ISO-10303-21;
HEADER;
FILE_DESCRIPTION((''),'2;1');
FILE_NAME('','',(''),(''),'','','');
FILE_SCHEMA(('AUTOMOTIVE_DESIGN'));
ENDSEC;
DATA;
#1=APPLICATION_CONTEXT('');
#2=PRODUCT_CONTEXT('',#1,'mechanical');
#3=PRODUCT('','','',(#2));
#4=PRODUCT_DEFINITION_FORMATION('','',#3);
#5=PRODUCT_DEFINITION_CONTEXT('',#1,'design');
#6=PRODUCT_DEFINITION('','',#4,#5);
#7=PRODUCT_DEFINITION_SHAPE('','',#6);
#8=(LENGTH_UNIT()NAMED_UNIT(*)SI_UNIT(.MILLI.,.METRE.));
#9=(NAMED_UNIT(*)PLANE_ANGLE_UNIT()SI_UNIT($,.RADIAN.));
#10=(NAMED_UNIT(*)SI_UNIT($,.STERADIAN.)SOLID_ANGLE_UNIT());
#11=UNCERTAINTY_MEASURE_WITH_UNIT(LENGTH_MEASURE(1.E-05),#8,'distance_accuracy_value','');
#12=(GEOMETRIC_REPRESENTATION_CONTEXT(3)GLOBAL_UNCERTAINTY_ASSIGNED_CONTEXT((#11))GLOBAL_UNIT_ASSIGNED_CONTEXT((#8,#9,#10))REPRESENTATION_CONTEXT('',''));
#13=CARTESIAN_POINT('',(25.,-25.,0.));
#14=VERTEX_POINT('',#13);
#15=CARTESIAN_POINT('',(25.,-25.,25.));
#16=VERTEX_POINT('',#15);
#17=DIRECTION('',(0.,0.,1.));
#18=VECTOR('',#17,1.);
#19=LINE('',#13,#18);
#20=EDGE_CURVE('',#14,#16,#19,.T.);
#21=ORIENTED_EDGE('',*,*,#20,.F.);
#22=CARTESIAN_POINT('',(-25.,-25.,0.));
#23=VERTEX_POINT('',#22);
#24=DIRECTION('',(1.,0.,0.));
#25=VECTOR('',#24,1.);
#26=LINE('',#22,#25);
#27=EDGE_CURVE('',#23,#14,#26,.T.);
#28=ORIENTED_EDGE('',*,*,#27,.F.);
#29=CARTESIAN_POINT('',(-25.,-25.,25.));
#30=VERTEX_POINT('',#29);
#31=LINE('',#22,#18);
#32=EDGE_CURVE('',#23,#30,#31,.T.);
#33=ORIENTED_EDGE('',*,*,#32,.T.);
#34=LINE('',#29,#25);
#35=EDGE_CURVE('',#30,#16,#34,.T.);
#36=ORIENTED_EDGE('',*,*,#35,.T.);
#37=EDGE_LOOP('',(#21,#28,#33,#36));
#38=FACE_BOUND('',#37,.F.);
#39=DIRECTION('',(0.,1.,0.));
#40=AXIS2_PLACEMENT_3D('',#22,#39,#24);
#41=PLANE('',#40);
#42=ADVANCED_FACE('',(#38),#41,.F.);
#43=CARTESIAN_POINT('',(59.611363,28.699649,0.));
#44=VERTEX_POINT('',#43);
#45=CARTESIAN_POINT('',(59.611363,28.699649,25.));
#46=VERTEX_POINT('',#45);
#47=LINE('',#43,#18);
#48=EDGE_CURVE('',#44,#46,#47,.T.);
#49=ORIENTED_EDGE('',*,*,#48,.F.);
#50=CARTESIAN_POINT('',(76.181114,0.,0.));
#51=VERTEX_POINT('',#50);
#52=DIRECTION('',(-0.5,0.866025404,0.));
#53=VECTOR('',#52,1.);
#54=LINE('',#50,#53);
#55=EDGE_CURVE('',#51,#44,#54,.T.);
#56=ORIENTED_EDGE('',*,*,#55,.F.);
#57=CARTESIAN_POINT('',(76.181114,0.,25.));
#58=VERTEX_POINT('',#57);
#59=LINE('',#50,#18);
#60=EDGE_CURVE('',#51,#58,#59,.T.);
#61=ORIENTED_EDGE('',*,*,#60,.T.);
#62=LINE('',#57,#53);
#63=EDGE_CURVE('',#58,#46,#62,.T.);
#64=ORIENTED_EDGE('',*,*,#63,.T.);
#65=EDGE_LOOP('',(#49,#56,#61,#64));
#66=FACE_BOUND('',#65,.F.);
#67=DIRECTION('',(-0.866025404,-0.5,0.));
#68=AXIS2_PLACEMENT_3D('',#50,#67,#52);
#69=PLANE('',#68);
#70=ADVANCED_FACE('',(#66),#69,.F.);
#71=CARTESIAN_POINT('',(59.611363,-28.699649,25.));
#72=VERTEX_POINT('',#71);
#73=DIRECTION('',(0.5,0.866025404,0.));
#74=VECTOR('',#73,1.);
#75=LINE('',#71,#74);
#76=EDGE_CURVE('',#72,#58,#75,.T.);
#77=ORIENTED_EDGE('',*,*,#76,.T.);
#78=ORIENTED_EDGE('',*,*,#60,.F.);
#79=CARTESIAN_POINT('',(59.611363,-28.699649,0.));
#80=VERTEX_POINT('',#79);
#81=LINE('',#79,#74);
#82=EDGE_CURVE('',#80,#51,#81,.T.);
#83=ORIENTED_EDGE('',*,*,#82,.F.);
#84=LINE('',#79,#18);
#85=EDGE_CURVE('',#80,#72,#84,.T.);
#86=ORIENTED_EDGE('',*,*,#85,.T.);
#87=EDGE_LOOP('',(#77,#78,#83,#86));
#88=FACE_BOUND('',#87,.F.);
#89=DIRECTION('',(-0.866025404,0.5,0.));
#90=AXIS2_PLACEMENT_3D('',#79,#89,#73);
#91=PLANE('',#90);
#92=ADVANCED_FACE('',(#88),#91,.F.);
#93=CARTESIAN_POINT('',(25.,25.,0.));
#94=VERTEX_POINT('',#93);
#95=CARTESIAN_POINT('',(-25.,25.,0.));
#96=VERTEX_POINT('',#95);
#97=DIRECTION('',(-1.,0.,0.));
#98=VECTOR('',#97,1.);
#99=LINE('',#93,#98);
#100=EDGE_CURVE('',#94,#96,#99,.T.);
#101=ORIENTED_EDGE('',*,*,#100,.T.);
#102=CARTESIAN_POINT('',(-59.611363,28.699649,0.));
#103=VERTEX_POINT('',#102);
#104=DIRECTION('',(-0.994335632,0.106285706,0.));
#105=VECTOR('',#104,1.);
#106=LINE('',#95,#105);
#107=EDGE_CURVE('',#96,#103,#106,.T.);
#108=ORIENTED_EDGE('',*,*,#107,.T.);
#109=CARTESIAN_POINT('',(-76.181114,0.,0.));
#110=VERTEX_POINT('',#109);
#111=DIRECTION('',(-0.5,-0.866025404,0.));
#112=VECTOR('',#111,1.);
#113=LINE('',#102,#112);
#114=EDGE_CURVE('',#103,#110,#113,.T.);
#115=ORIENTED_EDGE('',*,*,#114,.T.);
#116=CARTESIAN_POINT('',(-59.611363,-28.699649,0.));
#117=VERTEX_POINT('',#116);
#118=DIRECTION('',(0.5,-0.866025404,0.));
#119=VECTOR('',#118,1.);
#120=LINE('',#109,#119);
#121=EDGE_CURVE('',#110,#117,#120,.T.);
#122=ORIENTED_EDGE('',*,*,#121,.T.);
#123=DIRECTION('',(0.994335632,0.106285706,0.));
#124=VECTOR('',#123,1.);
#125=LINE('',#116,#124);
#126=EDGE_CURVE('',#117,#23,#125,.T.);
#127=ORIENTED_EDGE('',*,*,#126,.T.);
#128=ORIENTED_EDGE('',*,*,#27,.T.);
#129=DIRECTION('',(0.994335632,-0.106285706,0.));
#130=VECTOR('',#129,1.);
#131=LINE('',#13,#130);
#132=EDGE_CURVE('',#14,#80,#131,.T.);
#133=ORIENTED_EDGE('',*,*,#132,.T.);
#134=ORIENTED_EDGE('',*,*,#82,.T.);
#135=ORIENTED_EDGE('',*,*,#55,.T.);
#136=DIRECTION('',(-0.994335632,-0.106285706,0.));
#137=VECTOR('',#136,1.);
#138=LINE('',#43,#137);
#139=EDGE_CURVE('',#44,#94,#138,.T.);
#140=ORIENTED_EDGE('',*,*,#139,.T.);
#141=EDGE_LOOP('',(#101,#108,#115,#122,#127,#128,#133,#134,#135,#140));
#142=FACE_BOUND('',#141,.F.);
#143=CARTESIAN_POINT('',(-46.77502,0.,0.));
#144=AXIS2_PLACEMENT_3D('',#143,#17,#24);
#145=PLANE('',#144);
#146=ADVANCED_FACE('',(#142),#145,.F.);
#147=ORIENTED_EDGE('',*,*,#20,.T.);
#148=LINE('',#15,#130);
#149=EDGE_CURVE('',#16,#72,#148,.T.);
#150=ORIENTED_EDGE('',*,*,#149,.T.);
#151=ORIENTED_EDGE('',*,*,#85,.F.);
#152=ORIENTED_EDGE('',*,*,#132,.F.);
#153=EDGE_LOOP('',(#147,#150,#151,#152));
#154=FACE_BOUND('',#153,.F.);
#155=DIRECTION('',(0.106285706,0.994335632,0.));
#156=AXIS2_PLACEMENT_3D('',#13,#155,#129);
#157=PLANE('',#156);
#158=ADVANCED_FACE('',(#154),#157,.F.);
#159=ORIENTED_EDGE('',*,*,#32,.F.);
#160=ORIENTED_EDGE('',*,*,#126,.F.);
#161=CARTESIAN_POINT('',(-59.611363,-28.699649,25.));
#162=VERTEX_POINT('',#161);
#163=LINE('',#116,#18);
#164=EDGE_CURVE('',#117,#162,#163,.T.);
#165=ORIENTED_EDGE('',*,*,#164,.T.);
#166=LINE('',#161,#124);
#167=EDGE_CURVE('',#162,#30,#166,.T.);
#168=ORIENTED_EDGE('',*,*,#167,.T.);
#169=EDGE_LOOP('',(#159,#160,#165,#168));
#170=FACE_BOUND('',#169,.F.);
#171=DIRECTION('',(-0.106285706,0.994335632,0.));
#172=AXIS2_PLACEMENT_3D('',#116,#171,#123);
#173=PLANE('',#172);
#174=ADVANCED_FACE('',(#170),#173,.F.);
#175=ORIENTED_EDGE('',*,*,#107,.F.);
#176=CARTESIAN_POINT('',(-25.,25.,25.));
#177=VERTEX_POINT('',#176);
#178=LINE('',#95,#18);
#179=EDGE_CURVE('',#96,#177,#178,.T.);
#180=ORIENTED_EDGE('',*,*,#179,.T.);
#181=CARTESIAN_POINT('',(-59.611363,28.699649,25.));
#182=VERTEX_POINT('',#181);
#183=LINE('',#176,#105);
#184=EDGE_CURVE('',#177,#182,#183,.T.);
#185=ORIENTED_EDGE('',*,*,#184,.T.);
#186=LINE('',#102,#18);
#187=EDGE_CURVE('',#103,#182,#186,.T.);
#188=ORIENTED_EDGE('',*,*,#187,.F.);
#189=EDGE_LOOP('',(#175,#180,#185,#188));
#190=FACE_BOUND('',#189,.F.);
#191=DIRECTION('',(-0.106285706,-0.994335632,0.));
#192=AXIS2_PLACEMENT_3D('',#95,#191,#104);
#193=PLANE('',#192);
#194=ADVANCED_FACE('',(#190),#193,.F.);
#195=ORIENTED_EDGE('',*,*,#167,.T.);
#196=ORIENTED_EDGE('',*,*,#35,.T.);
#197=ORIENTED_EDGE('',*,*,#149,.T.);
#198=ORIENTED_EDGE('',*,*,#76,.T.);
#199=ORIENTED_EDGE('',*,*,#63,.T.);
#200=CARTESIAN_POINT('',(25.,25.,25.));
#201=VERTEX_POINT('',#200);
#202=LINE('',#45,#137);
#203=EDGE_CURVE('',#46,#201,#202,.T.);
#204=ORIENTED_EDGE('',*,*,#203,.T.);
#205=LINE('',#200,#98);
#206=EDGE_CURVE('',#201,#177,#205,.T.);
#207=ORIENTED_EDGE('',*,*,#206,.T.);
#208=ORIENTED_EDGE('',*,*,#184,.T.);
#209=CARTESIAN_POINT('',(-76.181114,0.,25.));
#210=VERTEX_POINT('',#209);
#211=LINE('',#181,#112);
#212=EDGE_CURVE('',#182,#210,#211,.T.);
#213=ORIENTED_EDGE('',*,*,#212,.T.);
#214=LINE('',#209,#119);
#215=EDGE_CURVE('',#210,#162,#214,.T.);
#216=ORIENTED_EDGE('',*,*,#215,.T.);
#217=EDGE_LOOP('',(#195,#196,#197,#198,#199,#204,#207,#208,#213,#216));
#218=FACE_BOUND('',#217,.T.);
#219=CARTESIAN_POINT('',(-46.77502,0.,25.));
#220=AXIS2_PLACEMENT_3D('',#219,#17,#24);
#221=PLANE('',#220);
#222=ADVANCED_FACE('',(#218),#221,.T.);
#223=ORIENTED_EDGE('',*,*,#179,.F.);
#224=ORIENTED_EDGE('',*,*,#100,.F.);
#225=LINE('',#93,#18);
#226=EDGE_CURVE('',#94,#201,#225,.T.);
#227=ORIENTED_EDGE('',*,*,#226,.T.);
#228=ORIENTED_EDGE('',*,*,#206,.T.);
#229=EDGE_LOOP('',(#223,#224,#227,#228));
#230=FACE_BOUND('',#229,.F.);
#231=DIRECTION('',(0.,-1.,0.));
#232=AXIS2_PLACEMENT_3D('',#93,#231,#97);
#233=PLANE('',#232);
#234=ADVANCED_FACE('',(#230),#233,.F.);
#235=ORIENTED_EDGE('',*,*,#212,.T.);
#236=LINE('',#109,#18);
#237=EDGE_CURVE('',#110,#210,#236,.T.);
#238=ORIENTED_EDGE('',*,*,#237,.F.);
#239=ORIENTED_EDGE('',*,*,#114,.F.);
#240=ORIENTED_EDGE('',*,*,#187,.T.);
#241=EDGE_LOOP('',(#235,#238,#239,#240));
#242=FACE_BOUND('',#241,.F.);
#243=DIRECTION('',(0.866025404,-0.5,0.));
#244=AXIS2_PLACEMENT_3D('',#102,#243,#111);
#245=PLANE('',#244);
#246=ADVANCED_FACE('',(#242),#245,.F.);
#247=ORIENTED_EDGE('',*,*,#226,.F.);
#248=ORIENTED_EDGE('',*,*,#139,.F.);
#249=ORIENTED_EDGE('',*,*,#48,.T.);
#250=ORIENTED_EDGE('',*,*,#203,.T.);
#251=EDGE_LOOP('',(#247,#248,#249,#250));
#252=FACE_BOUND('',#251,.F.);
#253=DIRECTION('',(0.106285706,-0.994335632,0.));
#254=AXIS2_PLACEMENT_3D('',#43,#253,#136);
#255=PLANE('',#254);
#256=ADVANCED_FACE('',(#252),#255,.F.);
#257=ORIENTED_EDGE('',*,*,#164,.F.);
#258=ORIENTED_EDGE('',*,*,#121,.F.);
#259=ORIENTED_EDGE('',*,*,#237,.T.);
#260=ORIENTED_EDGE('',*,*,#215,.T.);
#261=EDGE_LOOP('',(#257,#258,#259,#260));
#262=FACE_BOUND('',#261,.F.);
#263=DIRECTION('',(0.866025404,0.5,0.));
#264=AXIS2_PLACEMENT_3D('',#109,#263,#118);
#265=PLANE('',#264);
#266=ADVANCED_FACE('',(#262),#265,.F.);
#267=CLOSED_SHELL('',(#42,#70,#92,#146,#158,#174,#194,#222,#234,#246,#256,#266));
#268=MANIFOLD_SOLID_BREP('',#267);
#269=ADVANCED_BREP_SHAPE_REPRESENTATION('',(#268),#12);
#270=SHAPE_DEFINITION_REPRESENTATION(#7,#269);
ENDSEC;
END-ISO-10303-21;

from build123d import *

# Parameters (mm, degrees)
F1_DEPTH = 25


with BuildPart() as f1:
    # F0 (on Top) → F1 (new body)
    with BuildSketch(Plane.XY):
        Polygon((-59.6113632321, -28.6996493522), (-25, -25), (-25, 25), (-59.6113632321, 28.6996493522), (-76.1811135112, 0), align=None)
        Polygon((-9.9021123947, 0), (-24.3358691244, -25), (24.3358691244, -25), (9.9021123947, 0), (24.3358691244, 25), (-24.3358691244, 25), align=None)
        Polygon((-25, 25), (-25, -25), (-24.3358691244, -25), (-9.9021123947, 0), (-24.3358691244, 25), align=None)
        Polygon((9.9021123947, 0), (24.3358691244, -25), (25, -25), (25, 25), (24.3358691244, 25), align=None)
        Polygon((25, 25), (25, -25), (59.6113632321, -28.6996493522), (76.1811135112, 0), (59.6113632321, 28.6996493522), align=None)
    extrude(amount=F1_DEPTH)


solid = f1.part
